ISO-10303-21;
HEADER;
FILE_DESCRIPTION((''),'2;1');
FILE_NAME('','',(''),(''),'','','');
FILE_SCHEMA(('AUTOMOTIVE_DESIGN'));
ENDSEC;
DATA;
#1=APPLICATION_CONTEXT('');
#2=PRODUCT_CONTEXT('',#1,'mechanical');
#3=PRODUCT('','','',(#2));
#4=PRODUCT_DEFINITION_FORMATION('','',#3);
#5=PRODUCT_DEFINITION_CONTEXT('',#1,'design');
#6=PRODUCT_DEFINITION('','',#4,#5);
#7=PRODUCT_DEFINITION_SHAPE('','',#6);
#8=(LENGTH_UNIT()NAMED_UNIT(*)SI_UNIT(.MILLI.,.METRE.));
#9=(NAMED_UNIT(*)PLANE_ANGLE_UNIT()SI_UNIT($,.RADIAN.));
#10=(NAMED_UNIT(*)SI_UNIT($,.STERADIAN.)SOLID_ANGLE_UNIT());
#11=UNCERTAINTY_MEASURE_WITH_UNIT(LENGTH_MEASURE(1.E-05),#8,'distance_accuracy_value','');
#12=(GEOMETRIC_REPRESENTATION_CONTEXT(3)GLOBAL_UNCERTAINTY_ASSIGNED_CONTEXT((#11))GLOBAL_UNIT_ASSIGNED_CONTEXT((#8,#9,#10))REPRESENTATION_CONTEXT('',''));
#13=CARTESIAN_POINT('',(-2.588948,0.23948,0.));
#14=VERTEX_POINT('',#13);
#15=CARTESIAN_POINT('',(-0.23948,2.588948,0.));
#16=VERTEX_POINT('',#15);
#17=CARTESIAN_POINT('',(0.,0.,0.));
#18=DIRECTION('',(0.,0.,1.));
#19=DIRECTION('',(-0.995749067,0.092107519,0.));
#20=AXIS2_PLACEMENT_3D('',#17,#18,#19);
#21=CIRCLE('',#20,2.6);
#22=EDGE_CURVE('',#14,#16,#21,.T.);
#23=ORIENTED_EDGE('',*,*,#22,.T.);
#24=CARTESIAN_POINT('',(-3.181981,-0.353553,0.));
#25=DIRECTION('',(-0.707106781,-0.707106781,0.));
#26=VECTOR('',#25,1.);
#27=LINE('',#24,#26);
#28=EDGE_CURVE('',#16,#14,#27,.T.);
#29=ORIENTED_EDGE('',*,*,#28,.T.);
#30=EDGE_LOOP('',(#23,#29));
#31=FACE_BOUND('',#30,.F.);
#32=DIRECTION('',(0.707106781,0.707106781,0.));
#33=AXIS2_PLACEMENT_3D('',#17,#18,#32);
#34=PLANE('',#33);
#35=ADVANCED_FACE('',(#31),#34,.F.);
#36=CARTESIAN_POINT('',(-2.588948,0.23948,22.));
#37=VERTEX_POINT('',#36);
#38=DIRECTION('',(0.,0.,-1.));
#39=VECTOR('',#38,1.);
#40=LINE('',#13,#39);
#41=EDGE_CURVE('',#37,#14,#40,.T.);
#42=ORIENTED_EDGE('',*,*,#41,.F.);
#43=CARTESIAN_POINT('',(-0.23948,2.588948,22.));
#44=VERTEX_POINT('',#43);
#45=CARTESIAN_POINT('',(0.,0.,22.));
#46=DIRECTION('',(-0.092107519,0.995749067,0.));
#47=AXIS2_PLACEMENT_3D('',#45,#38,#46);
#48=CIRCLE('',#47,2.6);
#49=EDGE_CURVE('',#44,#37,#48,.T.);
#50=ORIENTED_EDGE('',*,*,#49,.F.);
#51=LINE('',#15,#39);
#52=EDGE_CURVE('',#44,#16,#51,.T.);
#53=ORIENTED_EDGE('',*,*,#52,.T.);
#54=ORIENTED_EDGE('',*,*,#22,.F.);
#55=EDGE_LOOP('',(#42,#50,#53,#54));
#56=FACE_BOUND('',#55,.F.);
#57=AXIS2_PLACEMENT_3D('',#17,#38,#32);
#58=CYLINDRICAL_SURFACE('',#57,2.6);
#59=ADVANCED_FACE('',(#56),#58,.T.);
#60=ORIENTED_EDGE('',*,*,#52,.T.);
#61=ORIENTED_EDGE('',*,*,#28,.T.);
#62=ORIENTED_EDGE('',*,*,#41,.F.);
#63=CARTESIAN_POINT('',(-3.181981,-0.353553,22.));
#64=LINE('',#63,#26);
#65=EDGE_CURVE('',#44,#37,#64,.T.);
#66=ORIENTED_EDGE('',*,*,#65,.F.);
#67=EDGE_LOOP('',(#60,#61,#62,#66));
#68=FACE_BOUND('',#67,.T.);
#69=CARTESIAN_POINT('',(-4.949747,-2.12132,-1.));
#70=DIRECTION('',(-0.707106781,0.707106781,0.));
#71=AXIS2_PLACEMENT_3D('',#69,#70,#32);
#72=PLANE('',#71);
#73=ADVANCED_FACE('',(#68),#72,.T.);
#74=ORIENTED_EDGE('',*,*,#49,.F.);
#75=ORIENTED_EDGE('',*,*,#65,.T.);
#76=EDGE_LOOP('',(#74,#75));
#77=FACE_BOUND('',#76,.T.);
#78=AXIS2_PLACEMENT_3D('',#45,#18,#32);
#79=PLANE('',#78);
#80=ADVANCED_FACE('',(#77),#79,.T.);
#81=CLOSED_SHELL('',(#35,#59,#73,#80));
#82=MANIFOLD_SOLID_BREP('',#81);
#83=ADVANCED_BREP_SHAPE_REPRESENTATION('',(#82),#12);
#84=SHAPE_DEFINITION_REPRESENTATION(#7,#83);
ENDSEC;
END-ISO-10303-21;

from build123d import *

# Parameters (mm, degrees)
BOX_W               = 10
BOX_H               = 10
BOX_DEPTH           = 30
CYLINDER_R          = 2.6
CYLINDER_DEPTH      = 22
CUT_PLACEMENT_ANGLE = 45


with BuildPart() as cube:
    # Box → Box (new body)
    with BuildSketch(Plane(origin=(-5, 2, -1), x_dir=(1, 0, 0), z_dir=(0, 0, 1))):
        with Locations((5, 5)):
            Rectangle(BOX_W, BOX_H)
    extrude(amount=BOX_DEPTH)


with BuildPart() as motor_shaft:
    # Cylinder → Cylinder (new body)
    with BuildSketch(Plane.XY):
        Circle(CYLINDER_R)
    extrude(amount=CYLINDER_DEPTH)

    # Cut: cut Cube
    add(cube.part, mode=Mode.SUBTRACT)


with BuildPart() as motor_shaft_1:
    # Cut placement: moved
    add(motor_shaft.part.rotate(Axis((0, 0, 0), (0, 0, 1)), CUT_PLACEMENT_ANGLE))


solid = motor_shaft_1.part
